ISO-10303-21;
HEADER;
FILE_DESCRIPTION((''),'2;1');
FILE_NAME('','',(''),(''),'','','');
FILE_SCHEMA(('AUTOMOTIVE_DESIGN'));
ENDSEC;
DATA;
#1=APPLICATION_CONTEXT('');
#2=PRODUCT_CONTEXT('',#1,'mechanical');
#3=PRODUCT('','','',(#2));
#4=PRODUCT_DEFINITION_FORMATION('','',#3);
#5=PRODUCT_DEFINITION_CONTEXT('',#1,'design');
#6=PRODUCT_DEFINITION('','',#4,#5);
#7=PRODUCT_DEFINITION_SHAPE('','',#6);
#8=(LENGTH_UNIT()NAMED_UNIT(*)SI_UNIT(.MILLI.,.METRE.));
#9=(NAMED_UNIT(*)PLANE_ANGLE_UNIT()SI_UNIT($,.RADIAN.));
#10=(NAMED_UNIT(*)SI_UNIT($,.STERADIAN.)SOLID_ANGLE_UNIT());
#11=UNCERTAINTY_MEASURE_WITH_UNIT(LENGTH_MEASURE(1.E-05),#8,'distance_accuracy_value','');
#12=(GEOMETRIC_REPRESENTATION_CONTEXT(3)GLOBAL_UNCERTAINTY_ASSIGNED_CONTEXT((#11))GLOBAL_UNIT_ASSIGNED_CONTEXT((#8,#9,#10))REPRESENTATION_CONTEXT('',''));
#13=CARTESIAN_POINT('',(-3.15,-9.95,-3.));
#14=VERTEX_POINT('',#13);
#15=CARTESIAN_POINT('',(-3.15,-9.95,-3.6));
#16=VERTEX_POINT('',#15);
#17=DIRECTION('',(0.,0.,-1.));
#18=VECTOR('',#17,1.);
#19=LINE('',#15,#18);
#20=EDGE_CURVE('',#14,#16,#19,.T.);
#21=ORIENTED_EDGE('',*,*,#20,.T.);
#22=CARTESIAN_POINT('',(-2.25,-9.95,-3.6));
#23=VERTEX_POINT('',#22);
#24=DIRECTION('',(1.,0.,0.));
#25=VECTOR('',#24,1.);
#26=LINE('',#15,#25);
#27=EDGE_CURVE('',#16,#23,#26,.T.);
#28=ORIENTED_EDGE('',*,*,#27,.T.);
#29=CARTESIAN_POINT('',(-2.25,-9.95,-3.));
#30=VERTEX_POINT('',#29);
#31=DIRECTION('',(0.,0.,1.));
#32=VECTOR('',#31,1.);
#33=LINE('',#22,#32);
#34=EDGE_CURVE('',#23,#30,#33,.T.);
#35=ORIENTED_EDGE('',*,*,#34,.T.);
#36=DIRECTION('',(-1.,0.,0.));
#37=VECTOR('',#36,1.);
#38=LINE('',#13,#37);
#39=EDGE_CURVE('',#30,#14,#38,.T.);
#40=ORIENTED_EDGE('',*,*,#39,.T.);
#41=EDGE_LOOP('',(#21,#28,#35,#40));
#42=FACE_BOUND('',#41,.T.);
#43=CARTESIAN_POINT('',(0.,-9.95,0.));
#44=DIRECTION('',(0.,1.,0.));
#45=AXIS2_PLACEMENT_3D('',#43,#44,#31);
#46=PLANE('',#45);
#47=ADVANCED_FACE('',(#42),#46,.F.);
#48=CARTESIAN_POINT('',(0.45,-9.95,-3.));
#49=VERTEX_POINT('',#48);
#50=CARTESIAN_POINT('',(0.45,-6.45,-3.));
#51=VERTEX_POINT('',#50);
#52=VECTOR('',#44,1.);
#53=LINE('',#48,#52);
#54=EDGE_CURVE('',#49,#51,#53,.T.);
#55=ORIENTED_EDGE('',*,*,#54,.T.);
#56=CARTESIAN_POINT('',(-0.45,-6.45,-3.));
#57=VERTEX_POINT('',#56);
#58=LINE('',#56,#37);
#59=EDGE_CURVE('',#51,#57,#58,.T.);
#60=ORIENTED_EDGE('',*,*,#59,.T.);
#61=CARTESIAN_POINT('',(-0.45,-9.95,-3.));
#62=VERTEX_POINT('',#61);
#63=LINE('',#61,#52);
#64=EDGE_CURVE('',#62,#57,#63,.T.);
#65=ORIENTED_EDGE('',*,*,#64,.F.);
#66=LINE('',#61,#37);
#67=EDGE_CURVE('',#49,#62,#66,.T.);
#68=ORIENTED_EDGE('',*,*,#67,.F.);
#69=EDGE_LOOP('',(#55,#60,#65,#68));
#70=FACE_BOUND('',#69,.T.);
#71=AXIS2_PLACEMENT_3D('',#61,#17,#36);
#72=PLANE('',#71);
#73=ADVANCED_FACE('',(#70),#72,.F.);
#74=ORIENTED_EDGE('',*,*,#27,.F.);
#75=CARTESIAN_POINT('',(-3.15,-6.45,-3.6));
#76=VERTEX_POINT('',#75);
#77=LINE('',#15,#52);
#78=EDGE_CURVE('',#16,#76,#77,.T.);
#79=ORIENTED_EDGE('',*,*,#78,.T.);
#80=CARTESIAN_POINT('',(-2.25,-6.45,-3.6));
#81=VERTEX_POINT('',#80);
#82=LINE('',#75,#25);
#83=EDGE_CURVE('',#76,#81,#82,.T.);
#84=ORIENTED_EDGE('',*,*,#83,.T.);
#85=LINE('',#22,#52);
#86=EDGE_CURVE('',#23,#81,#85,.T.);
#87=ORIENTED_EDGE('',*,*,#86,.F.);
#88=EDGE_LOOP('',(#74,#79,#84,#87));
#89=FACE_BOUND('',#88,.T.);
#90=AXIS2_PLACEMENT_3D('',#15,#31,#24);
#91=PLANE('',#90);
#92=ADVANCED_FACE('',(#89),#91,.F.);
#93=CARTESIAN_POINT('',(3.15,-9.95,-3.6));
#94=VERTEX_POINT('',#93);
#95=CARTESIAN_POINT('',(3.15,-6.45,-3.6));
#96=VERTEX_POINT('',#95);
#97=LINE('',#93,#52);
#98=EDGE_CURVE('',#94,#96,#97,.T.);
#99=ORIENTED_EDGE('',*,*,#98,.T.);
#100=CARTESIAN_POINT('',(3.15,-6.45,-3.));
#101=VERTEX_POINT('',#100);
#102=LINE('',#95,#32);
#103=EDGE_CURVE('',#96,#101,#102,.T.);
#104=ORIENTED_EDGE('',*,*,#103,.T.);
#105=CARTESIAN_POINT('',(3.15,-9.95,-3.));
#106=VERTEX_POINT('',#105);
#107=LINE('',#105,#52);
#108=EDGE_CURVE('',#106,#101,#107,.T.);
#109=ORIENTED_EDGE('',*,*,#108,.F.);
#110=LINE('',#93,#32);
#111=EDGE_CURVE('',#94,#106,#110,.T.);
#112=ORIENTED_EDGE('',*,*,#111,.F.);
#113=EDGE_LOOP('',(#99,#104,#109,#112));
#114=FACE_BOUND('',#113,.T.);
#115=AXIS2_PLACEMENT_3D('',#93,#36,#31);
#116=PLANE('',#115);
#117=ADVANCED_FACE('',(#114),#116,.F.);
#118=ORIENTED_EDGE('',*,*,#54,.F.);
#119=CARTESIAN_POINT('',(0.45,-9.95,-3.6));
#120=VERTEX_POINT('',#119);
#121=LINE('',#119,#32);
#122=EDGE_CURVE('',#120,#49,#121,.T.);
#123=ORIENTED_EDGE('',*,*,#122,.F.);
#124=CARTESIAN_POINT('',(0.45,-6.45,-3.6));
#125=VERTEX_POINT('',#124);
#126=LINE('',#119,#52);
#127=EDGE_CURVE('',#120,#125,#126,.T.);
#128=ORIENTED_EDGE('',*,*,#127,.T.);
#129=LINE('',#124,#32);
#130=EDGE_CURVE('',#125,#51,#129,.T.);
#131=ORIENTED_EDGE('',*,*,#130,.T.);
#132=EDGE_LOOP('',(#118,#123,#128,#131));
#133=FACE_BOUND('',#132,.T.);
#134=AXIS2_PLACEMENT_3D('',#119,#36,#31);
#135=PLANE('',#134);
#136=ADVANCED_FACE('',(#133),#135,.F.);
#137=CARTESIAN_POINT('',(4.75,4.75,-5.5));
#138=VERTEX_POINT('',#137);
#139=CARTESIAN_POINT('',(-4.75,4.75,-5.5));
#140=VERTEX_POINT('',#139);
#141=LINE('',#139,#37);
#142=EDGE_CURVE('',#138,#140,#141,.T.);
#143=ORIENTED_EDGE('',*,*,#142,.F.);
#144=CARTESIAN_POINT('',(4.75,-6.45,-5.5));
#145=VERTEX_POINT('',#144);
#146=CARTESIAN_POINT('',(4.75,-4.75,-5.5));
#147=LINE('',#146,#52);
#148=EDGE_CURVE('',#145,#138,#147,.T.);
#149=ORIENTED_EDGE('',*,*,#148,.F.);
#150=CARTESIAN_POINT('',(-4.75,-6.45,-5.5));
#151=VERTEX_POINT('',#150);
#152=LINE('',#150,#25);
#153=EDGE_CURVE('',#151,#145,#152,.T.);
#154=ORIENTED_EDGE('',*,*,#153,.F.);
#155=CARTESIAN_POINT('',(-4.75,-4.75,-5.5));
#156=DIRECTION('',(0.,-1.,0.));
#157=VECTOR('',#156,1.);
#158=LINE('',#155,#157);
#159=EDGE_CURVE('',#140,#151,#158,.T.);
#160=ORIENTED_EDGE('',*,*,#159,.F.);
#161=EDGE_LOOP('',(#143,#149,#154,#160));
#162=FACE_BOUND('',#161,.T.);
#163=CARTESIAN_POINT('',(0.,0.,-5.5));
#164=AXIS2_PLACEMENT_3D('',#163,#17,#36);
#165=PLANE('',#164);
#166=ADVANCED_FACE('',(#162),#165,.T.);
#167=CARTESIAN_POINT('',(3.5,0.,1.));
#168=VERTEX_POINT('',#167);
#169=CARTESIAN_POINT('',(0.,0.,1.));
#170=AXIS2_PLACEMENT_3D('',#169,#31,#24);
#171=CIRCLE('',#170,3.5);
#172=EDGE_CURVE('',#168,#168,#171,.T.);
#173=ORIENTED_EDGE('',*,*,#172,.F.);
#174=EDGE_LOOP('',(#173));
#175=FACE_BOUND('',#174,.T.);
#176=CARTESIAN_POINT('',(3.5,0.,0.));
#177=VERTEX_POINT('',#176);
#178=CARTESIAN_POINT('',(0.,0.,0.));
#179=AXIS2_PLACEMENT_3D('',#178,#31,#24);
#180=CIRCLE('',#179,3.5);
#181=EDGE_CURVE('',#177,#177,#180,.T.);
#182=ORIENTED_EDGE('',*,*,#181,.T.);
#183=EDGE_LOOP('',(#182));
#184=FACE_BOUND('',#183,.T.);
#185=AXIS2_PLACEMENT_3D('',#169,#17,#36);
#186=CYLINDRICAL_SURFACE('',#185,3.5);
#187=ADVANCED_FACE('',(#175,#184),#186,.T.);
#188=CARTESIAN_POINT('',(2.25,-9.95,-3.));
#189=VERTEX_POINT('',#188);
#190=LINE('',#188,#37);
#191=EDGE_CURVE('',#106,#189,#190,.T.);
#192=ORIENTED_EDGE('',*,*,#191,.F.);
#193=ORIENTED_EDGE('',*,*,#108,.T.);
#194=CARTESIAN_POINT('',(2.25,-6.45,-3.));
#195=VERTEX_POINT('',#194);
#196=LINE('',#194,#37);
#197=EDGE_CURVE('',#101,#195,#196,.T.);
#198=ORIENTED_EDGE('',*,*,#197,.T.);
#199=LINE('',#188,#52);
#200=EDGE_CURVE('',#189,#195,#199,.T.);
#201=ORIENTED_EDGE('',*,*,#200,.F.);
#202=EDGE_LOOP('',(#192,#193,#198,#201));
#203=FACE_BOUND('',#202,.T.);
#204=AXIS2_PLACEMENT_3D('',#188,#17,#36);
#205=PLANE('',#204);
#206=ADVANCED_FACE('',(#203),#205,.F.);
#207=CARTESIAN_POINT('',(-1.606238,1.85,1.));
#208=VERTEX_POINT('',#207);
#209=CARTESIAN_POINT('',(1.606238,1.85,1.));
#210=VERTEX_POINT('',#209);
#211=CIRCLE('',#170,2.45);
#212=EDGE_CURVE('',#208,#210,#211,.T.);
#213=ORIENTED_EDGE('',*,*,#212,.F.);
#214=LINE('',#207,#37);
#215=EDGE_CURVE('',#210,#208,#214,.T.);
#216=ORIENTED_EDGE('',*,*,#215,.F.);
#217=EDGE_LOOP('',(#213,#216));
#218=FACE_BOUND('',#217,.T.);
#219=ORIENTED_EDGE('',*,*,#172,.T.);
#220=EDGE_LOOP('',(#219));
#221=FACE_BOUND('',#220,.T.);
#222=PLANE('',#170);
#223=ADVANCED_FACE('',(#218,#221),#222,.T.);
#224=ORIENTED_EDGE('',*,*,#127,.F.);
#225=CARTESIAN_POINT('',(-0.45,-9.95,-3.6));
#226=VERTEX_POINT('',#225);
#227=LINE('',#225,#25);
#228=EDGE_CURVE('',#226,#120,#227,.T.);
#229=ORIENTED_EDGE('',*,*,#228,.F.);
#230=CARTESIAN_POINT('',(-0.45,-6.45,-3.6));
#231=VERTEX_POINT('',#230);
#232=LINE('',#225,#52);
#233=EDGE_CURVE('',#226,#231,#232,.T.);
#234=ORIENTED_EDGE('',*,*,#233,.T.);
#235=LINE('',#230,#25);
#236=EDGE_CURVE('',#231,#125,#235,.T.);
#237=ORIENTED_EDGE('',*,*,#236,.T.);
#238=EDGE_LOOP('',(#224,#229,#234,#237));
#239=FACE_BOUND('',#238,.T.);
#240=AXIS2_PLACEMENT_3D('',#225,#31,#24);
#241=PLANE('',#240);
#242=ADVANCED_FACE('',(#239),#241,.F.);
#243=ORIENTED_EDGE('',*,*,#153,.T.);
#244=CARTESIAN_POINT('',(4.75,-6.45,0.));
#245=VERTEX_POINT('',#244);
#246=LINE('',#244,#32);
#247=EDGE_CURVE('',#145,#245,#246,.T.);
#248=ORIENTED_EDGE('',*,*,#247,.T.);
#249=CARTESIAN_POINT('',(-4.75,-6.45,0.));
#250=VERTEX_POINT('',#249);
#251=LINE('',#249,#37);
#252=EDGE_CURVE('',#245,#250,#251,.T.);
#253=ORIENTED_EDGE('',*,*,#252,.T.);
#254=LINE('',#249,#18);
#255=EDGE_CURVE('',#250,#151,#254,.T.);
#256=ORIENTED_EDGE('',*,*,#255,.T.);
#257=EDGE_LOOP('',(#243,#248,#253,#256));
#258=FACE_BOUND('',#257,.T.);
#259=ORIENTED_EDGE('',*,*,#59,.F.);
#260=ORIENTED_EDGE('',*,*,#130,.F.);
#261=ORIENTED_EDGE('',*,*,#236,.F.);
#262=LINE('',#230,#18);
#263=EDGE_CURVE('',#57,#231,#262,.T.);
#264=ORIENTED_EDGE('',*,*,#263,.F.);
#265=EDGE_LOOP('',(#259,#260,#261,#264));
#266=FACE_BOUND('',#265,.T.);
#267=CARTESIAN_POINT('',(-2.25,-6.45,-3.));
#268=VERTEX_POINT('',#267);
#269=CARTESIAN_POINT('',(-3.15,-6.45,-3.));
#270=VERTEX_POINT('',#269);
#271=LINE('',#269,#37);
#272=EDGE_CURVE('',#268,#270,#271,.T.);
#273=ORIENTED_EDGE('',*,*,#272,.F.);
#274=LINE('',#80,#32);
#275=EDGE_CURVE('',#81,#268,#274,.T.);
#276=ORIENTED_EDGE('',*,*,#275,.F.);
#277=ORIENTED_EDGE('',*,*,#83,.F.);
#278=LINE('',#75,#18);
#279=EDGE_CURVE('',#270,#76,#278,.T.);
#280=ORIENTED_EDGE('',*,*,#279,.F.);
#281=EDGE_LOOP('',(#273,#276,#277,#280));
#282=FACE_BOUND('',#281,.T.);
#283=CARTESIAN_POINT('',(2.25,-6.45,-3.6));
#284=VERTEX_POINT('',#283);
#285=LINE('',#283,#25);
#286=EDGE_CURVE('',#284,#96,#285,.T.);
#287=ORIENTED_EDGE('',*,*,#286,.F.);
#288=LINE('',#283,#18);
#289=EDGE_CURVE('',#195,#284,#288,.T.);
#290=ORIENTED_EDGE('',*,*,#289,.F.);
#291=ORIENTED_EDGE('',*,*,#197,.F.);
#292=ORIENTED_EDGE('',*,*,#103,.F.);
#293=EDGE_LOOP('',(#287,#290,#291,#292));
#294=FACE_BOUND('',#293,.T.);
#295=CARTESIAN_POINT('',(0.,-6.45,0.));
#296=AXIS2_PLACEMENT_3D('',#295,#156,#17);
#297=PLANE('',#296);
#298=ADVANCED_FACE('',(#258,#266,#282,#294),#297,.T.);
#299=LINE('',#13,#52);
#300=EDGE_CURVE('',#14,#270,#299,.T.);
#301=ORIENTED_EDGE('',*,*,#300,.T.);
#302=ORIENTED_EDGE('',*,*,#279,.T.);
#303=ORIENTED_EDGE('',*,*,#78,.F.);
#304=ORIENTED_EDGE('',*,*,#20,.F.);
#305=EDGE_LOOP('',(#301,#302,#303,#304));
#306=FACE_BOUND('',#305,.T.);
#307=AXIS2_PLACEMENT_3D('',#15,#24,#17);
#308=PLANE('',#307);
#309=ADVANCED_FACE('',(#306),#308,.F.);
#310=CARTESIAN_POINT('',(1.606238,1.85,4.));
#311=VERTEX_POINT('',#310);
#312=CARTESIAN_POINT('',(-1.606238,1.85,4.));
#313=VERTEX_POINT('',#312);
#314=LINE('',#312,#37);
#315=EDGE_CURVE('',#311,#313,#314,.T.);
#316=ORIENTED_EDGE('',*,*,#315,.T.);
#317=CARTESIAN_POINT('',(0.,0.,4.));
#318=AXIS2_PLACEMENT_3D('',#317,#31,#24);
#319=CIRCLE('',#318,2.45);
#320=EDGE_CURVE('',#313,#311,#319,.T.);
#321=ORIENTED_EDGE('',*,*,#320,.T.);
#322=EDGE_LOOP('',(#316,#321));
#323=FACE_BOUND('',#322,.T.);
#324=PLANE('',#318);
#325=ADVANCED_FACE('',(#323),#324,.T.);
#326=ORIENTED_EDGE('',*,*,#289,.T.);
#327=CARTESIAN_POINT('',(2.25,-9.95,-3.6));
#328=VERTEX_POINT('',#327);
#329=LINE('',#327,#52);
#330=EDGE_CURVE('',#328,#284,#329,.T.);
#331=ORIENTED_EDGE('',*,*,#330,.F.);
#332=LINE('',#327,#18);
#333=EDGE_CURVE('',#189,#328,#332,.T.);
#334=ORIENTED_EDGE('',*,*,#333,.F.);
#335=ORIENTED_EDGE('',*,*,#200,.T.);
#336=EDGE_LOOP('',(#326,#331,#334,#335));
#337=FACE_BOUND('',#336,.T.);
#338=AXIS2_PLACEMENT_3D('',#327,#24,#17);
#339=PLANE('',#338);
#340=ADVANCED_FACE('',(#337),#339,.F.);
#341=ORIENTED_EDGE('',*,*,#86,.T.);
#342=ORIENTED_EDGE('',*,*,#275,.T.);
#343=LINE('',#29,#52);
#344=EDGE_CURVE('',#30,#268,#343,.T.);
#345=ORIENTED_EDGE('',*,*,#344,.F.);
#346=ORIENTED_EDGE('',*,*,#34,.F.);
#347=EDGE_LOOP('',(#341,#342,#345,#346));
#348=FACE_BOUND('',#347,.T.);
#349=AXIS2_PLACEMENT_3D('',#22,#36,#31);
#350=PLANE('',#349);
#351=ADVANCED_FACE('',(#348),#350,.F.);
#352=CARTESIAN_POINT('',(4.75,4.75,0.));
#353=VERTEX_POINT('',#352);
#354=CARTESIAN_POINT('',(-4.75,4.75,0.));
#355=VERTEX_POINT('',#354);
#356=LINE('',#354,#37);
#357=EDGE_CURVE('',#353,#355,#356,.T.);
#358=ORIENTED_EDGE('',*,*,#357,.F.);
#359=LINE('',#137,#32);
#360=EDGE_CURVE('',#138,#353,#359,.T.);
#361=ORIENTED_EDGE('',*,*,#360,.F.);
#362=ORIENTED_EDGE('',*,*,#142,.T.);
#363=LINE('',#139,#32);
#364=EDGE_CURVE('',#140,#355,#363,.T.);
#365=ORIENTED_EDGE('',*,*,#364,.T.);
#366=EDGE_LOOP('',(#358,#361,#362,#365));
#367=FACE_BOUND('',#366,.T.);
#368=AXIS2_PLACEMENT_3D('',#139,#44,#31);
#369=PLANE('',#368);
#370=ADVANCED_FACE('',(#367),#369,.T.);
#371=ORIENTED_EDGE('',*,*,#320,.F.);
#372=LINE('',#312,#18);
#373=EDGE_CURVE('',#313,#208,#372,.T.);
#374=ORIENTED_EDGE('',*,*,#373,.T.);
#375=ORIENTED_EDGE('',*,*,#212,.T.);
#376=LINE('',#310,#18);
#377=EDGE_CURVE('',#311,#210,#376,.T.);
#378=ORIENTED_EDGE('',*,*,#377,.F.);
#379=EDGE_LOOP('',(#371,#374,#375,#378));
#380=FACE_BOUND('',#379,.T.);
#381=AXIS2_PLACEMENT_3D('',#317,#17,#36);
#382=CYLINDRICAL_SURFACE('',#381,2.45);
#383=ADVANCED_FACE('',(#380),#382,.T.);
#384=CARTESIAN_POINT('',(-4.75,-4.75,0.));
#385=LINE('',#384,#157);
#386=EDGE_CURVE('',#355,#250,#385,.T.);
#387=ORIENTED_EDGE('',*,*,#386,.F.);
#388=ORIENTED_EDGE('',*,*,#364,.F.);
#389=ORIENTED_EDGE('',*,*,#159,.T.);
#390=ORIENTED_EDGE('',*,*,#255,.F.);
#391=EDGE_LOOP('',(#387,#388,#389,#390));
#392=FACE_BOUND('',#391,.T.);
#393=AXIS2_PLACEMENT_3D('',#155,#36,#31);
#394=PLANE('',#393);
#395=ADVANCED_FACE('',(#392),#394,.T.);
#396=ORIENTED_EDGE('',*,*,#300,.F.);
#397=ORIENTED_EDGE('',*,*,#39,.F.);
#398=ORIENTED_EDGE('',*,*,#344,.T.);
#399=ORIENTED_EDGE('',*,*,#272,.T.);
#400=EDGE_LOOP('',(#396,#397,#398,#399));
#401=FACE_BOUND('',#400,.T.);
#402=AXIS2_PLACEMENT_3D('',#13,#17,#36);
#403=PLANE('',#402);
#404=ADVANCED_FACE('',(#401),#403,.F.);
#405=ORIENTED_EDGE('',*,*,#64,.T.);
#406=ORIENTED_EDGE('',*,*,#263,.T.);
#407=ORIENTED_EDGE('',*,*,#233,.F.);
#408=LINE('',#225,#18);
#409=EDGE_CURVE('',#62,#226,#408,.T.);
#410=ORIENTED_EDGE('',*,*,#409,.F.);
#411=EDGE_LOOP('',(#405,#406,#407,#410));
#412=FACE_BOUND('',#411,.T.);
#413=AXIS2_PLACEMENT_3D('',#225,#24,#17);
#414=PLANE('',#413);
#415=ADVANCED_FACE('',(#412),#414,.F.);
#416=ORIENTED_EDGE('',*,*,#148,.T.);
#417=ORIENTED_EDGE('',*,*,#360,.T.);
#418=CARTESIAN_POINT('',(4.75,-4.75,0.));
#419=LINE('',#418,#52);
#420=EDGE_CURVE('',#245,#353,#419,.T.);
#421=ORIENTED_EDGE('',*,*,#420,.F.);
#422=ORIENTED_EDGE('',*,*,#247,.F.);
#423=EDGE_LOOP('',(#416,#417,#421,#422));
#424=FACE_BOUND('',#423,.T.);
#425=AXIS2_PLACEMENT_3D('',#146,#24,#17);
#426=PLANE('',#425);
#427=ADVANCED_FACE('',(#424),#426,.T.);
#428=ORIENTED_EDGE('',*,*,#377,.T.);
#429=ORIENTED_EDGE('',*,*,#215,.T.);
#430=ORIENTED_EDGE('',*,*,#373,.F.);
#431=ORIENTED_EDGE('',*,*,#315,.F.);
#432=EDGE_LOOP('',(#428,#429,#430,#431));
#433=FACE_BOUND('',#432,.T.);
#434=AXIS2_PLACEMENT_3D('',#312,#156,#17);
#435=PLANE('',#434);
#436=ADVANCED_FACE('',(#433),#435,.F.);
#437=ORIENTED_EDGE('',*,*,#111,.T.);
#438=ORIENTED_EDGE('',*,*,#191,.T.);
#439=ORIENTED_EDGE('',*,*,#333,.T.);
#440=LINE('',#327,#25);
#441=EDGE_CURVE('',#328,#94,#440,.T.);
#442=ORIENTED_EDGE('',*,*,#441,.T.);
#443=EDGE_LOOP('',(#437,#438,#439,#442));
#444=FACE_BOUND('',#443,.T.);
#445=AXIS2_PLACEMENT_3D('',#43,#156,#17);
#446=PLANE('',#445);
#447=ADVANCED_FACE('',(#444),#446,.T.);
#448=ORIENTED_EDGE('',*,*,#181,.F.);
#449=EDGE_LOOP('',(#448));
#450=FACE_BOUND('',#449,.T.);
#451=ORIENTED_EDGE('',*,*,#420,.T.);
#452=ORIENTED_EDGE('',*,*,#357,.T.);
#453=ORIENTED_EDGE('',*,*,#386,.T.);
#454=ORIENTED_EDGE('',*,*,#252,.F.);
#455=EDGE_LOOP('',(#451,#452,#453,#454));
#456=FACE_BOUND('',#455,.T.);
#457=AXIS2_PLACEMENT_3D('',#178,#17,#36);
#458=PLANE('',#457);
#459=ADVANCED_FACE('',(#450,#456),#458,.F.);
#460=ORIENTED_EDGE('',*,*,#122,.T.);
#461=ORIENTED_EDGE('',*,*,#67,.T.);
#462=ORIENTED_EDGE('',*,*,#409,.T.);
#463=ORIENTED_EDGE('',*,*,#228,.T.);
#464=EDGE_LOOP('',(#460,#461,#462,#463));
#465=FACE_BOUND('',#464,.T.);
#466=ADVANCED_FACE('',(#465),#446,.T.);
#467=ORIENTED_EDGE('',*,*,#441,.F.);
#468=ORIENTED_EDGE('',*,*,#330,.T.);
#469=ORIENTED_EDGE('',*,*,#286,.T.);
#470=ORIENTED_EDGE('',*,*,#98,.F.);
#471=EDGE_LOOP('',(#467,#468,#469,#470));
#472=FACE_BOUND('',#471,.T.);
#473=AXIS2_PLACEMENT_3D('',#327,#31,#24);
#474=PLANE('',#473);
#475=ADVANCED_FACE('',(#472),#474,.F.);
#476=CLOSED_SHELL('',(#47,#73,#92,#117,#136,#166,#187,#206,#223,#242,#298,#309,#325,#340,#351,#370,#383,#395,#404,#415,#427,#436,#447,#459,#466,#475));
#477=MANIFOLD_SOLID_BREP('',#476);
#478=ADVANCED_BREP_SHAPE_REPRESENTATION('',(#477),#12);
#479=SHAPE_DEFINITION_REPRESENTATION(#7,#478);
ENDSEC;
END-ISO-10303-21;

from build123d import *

# Parameters (mm, degrees)
SKETCH1_W           = 9.5
SKETCH1_H           = 9.5
BOSS_EXTRUDE1_DEPTH = 5.5
SKETCH2_W           = 9.5
SKETCH2_H           = 5.5
BOSS_EXTRUDE2_DEPTH = 1.7
SKETCH3_R           = 3.5
BOSS_EXTRUDE3_DEPTH = 1
BOSS_EXTRUDE4_DEPTH = 3
SKETCH5_W           = 0.9
SKETCH5_H           = 0.6
BOSS_EXTRUDE5_DEPTH = 3.5


with BuildPart() as part:
    # Sketch1 → Boss-Extrude1 (new body)
    with BuildSketch(Plane.XY):
        Rectangle(SKETCH1_W, SKETCH1_H)
    extrude(amount=-BOSS_EXTRUDE1_DEPTH)

    # Sketch2 → Boss-Extrude2 (add)
    with BuildSketch(Plane.XZ.offset(4.75)):
        with Locations((0, -2.75)):
            Rectangle(SKETCH2_W, SKETCH2_H)
    extrude(amount=BOSS_EXTRUDE2_DEPTH)

    # Sketch3 → Boss-Extrude3 (add)
    with BuildSketch(Plane.XY):
        Circle(SKETCH3_R)
    extrude(amount=BOSS_EXTRUDE3_DEPTH)

    # Sketch4 → Boss-Extrude4 (add)
    with BuildSketch(Plane.XY.offset(1)):
        with BuildLine():
            Line((-1.60623784, 1.85), (1.60623784, 1.85))
            ThreePointArc((1.60623784, 1.85), (0, -2.45), (-1.60623784, 1.85))
        make_face()
    extrude(amount=BOSS_EXTRUDE4_DEPTH)

    # Sketch5 → Boss-Extrude5 (add)
    with BuildSketch(Plane.XZ.offset(6.45)):
        with Locations((-2.7, -3.3)):
            Rectangle(SKETCH5_W, SKETCH5_H)
        with Locations((0, -3.3)):
            Rectangle(SKETCH5_W, SKETCH5_H)
        with Locations((2.7, -3.3)):
            Rectangle(SKETCH5_W, SKETCH5_H)
    extrude(amount=BOSS_EXTRUDE5_DEPTH)


solid = part.part
